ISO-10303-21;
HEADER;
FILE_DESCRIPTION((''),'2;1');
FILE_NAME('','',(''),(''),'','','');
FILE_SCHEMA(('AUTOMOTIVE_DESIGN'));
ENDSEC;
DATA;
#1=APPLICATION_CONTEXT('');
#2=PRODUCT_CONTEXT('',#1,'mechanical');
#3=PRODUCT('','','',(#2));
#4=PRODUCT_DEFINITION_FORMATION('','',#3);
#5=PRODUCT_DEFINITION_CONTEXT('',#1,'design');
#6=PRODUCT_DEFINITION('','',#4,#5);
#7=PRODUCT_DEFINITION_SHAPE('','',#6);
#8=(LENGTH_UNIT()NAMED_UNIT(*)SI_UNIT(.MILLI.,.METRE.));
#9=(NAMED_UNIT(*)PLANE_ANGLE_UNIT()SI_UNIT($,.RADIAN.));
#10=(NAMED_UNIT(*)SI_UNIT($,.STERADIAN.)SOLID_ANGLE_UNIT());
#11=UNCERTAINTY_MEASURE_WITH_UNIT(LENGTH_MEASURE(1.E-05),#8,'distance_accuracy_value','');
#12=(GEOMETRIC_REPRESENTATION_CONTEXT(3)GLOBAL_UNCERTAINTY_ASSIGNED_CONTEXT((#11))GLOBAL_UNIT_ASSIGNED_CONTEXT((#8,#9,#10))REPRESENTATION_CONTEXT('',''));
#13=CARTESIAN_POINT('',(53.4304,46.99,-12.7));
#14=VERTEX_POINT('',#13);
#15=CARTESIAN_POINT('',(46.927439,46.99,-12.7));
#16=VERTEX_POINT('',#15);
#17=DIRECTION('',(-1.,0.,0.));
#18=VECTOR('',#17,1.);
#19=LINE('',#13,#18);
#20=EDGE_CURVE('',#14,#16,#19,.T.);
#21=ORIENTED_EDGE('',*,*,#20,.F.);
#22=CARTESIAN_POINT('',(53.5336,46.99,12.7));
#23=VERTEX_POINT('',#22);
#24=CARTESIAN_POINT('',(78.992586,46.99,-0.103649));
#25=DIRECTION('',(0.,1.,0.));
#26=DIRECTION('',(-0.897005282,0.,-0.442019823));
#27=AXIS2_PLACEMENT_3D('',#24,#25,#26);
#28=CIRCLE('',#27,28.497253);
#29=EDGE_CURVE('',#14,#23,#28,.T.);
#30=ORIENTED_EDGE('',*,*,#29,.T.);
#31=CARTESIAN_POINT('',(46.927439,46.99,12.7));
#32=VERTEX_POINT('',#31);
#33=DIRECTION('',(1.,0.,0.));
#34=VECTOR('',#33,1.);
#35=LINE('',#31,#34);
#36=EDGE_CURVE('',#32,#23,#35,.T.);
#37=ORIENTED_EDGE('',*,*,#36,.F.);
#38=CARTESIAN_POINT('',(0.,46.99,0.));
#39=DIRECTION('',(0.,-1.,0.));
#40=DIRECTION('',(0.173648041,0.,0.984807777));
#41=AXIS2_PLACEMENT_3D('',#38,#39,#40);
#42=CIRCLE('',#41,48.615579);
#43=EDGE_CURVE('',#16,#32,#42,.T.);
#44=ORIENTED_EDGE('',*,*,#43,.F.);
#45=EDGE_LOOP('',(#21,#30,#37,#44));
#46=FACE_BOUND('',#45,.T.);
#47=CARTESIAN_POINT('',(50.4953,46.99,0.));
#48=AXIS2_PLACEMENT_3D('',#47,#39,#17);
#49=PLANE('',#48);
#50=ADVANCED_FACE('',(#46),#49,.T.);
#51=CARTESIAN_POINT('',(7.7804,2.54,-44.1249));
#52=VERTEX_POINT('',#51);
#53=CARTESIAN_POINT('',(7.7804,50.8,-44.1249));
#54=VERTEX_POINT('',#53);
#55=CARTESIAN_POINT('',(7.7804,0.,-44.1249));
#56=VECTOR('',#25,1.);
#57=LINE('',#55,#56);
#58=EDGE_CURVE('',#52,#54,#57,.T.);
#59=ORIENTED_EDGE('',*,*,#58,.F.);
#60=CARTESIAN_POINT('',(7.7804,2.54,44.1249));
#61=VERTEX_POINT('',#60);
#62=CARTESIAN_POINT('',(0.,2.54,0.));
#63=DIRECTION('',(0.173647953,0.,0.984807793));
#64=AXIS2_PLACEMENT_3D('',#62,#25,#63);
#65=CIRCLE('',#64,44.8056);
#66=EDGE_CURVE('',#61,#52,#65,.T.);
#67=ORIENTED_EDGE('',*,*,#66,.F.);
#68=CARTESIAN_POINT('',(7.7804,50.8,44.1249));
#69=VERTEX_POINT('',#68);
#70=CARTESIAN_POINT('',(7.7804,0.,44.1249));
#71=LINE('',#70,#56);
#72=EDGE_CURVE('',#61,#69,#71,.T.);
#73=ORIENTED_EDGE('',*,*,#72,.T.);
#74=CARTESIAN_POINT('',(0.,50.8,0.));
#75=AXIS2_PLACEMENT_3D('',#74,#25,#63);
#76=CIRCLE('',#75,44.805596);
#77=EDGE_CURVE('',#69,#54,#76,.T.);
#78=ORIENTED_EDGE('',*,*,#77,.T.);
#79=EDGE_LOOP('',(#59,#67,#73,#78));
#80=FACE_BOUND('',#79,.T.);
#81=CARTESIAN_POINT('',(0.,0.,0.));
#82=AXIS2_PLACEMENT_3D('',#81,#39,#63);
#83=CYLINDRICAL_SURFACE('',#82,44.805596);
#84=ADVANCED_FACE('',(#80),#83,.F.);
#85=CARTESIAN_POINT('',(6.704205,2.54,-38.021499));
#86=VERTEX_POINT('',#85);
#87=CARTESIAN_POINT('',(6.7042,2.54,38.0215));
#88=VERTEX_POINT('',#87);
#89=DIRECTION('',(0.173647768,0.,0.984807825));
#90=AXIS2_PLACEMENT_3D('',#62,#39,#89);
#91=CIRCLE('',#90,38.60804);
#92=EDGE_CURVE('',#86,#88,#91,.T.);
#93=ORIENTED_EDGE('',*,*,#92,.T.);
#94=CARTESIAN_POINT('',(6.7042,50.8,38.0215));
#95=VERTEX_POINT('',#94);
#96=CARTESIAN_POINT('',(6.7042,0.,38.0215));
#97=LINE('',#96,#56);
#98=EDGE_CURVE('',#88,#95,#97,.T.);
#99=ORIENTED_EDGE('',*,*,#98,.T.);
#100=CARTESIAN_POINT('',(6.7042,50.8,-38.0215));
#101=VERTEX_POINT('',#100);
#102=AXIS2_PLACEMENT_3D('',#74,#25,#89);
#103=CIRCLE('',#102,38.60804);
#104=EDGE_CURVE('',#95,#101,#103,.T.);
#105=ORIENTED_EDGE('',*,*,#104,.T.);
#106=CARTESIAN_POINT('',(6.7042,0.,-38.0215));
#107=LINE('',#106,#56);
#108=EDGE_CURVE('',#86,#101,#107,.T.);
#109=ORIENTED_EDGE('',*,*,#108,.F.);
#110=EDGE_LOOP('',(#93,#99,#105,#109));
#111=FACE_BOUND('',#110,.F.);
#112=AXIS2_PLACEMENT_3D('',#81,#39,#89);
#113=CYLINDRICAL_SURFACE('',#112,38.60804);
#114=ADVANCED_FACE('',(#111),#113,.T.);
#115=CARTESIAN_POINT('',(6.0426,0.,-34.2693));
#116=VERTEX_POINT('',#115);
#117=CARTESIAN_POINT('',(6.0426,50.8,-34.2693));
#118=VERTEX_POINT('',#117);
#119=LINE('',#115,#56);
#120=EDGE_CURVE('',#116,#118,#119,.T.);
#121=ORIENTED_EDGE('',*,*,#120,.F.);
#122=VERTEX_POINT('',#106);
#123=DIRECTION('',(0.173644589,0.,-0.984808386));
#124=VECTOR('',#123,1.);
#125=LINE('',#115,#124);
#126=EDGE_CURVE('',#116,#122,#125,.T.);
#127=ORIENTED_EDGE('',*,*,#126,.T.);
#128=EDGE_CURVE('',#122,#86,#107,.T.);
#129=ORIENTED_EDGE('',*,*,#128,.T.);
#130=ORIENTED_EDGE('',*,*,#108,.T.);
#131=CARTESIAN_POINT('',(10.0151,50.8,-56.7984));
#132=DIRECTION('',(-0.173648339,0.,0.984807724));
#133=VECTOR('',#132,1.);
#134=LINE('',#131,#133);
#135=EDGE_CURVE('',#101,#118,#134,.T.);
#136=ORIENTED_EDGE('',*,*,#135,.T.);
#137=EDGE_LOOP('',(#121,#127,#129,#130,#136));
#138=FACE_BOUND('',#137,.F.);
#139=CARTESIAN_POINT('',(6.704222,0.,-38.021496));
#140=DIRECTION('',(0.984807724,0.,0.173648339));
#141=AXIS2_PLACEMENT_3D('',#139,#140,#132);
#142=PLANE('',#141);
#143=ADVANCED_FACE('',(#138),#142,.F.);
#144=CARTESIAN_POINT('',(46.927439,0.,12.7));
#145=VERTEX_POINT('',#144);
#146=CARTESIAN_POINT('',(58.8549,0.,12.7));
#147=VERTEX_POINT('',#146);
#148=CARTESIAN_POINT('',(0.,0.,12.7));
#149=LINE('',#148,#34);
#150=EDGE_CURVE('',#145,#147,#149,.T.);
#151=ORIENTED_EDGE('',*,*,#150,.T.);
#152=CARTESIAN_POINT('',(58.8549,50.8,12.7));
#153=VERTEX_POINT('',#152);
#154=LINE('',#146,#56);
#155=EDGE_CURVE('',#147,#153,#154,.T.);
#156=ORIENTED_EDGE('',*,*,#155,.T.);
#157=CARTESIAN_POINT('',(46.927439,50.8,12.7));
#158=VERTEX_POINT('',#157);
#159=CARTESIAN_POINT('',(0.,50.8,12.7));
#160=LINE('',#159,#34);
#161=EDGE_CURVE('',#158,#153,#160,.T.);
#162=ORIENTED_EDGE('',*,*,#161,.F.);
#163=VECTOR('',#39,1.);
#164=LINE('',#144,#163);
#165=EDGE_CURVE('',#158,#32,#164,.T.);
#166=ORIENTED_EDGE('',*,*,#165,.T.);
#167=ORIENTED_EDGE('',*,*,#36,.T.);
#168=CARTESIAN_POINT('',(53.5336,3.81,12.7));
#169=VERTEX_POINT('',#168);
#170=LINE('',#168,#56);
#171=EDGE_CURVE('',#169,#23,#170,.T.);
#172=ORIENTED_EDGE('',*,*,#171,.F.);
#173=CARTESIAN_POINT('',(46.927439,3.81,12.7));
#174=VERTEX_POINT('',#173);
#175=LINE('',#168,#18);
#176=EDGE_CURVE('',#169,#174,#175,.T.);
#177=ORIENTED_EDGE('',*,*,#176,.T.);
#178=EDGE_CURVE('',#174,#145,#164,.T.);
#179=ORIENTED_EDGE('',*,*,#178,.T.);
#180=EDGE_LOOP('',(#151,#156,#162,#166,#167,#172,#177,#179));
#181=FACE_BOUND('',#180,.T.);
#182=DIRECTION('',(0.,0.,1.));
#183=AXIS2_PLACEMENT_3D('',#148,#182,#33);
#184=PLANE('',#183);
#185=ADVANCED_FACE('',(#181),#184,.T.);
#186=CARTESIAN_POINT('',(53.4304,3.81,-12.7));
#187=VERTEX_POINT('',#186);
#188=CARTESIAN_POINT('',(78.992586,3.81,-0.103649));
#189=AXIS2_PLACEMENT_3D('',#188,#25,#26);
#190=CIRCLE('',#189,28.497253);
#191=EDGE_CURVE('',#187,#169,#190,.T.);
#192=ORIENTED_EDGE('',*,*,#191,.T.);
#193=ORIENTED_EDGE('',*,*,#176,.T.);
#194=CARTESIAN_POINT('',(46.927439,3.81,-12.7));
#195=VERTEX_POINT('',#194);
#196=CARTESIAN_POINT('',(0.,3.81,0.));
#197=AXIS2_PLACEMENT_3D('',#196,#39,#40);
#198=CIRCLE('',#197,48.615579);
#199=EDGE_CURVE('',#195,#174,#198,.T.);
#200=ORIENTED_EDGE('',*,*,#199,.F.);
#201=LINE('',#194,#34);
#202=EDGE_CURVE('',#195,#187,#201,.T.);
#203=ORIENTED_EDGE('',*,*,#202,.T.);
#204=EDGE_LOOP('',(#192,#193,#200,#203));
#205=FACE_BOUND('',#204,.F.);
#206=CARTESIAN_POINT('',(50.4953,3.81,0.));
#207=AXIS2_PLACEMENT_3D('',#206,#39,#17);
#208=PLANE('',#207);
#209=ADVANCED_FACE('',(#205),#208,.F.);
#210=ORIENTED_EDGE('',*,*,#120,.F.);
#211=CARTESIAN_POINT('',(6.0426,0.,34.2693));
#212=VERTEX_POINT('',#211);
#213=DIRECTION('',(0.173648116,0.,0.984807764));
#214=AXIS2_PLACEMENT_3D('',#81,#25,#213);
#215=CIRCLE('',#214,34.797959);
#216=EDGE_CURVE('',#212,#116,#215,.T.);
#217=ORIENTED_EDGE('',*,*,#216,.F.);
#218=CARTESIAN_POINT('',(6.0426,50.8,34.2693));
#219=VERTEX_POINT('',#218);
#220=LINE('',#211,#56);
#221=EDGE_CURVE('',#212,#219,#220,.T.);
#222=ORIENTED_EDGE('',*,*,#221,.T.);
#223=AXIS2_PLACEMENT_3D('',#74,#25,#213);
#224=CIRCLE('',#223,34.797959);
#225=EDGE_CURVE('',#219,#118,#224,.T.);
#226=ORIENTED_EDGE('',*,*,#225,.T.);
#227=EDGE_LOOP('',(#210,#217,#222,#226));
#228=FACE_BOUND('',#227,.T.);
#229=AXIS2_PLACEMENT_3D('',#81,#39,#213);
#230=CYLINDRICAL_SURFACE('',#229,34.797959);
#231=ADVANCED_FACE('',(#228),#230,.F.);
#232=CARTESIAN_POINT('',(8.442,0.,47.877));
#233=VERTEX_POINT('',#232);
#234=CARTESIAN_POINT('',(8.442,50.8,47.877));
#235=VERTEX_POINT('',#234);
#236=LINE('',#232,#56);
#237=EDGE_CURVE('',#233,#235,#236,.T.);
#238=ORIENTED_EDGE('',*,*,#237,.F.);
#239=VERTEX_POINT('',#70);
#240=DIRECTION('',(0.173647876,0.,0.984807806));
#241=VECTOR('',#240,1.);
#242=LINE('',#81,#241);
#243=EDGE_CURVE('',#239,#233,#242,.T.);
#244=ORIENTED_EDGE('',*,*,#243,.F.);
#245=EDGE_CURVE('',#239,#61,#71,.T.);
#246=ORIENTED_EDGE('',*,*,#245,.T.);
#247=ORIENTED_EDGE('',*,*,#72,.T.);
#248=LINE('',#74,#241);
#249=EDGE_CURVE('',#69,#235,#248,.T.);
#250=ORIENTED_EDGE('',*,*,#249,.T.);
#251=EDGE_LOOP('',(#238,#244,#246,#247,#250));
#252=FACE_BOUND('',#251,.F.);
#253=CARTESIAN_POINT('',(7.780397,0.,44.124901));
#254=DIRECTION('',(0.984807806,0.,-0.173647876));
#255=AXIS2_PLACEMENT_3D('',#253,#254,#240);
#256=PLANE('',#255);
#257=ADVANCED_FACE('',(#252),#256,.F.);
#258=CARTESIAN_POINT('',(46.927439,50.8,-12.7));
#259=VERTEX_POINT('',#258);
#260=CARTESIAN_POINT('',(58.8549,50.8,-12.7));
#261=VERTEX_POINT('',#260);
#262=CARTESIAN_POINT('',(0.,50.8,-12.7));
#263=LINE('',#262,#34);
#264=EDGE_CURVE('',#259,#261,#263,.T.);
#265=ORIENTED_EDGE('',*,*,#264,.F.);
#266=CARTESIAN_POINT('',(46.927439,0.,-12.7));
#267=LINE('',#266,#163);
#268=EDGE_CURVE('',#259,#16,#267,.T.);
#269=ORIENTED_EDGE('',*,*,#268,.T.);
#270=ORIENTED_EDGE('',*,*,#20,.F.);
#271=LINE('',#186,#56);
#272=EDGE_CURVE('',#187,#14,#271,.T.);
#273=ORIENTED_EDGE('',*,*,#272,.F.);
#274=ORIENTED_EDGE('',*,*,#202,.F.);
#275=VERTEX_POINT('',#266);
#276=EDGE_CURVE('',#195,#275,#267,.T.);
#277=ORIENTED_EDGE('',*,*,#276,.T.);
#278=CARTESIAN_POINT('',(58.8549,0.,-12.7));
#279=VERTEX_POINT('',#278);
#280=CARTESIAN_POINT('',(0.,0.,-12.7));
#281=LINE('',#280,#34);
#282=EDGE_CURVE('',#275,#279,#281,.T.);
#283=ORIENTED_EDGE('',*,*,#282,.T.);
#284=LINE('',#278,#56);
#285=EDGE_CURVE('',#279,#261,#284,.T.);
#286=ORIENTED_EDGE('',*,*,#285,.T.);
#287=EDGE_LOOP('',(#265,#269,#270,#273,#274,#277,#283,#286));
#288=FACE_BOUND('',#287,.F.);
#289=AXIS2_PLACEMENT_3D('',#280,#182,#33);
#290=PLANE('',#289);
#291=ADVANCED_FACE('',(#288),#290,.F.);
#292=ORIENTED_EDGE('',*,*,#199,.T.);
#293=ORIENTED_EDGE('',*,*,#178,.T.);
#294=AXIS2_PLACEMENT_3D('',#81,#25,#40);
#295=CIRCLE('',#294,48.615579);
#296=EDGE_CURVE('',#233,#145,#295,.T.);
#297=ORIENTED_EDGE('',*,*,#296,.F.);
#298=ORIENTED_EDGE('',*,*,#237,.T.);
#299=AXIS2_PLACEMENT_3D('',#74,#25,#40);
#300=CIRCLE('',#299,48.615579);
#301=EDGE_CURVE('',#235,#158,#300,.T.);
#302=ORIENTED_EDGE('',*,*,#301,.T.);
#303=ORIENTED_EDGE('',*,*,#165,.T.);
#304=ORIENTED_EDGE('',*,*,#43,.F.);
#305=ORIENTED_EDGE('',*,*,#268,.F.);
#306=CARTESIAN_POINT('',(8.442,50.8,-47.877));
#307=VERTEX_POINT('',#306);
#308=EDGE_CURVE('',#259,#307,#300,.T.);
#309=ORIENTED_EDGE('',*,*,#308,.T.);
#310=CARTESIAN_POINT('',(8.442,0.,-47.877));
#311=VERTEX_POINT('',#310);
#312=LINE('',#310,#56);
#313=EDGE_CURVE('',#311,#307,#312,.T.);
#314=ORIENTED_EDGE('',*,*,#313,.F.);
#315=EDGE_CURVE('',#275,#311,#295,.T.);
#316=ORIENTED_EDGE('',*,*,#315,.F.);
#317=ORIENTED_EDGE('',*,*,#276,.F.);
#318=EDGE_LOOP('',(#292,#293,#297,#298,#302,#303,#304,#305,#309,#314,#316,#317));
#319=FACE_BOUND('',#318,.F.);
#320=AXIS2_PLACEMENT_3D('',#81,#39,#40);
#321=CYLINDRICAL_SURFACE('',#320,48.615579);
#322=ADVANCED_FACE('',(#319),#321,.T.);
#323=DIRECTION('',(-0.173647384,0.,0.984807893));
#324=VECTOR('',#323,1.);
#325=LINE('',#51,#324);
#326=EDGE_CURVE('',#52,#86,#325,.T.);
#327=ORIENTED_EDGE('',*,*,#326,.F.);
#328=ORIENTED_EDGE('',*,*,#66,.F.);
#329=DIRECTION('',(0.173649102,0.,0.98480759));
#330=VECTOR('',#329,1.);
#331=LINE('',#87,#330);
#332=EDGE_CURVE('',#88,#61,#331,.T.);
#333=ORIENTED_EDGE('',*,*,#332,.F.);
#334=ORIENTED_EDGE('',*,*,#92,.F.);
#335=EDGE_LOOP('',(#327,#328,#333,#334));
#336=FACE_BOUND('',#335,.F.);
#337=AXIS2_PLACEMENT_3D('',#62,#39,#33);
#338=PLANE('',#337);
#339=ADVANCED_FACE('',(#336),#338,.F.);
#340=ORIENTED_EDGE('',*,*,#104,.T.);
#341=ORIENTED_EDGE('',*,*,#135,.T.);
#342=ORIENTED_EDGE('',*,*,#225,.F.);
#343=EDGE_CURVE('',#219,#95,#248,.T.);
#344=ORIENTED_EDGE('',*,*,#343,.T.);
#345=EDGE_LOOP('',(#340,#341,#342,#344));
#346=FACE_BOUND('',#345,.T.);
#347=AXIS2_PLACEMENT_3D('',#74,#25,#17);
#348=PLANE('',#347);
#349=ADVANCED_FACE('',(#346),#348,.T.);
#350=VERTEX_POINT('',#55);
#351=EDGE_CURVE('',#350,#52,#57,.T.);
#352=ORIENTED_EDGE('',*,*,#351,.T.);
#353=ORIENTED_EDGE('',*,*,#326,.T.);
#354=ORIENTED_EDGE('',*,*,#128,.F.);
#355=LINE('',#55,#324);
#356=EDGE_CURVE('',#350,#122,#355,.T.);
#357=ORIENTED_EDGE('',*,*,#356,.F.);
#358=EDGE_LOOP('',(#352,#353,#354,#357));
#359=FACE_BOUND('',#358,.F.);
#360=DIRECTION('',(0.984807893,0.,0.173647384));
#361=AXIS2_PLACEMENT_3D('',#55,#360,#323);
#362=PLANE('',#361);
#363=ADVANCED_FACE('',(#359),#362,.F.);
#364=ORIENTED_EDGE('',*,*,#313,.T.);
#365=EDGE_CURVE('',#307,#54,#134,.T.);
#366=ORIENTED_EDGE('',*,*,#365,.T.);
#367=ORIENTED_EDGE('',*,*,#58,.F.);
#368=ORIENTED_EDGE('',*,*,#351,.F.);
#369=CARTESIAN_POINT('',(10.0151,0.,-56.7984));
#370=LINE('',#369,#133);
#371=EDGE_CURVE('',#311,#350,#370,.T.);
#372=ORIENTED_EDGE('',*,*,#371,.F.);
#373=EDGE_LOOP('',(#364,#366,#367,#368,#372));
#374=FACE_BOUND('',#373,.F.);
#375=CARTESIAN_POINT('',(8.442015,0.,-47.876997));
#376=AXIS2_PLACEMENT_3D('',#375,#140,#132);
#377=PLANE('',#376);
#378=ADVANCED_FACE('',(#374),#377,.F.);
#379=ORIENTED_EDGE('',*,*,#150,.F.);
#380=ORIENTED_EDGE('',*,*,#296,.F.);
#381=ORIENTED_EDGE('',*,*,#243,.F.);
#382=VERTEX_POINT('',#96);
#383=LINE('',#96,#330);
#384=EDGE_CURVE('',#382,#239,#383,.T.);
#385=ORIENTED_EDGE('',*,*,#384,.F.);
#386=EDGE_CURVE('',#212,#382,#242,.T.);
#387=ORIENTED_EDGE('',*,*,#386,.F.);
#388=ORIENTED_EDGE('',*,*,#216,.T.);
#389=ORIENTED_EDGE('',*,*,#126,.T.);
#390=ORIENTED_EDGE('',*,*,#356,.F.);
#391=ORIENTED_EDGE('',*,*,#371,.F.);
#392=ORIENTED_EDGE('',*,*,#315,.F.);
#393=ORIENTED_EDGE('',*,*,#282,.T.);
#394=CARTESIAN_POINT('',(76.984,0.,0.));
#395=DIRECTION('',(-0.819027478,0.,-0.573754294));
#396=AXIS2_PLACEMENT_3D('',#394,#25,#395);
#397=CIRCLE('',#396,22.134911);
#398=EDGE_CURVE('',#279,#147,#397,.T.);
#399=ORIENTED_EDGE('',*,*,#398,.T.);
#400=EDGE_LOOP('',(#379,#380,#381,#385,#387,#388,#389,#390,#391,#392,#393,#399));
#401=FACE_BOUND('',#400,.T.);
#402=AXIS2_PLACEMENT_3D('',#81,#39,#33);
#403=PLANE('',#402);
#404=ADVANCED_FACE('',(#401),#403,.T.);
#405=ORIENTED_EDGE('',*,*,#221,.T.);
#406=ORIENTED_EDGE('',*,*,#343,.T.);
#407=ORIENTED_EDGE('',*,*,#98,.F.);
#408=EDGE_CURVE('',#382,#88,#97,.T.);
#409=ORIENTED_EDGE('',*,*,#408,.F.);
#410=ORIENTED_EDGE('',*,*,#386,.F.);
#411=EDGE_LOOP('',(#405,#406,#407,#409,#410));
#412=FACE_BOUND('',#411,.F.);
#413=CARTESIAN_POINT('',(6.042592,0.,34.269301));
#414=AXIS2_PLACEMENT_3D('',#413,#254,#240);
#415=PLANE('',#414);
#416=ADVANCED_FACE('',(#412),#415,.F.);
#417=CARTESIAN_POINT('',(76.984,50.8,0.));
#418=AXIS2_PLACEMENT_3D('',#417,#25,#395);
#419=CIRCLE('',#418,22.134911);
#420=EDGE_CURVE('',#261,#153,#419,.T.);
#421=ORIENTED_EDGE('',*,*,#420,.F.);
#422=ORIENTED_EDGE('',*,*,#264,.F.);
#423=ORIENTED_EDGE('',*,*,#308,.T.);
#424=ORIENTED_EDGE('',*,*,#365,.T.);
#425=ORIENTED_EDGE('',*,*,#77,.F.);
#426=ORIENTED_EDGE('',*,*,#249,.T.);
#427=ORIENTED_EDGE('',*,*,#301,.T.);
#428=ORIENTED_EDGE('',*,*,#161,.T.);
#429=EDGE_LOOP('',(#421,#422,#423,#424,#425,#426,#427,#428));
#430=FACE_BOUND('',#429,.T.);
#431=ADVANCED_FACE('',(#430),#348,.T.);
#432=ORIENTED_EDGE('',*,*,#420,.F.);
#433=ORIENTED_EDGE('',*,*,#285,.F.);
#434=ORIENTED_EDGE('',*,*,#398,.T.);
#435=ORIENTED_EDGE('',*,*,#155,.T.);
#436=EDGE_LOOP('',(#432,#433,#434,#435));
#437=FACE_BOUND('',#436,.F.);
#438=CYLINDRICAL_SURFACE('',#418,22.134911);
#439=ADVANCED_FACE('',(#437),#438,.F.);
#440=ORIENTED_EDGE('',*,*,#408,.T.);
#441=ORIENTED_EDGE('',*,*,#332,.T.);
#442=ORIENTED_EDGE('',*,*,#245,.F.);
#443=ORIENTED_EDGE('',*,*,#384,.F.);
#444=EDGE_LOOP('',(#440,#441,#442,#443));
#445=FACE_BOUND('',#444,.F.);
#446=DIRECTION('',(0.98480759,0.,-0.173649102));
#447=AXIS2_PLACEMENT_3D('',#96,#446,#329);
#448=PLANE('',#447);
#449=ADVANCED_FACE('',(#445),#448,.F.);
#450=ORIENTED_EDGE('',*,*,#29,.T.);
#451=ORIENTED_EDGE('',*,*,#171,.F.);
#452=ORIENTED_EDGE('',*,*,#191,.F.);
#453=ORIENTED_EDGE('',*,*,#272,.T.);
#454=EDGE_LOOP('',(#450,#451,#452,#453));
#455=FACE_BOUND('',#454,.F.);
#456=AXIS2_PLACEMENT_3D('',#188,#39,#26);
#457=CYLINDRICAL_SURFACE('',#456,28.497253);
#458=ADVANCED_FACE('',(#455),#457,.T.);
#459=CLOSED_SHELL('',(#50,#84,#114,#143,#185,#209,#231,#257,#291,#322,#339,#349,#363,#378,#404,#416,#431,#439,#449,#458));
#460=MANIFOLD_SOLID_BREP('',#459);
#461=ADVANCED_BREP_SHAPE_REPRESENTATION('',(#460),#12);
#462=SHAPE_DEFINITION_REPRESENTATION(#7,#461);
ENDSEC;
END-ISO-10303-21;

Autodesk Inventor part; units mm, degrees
ref_plane "YZ Plane" through (0, 0, 0) normal (1, 0, 0) x (0, 1, 0)
ref_plane "XZ Plane" through (0, 0, 0) normal (0, 1, 0) x (-1, 0, 0)
ref_plane "XY Plane" through (0, 0, 0) normal (0, 0, 1) x (1, 0, 0)
sketch "Sketch1" plane through (0, 0, 0) normal (0, 1, 0) x (-1, 0, 0)
  arc A0 (-8.442, 47.877) -> (-8.442, -47.877) centre (0, 0) ccw
  arc A1 (-7.7804, 44.1249) -> (-7.7804, -44.1249) centre (0, 0) ccw
  arc A2 (-6.7042, 38.0215) -> (-6.7042, -38.0215) centre (0, 0) ccw
  arc A3 (-6.0426, 34.2693) -> (-6.0426, -34.2693) centre (0, 0) ccw
  line L0 (0, 0) -> (57.6746, 0) construction
  line L1 (-10.0151, -56.7984) -> (0, 0)
  line L2 (0, 0) -> (-10.8029, 61.2664)
  line L3 (0, 0) -> (62.2115, 0) construction
  dimension "d0" = 97.2312
  dimension "d1" = 89.6112
  dimension "d14" = 77.216
  dimension "d15" = 69.596
  dimension "d17" = 100
  dimension "d18" = 100
extrude "Extrusion1" add sketch "Sketch1" along normal blind 50.8 contours L2 A1 L1 A0 | L2 A3 L1 A2
sketch "Sketch2" plane through (0, 0, 0) normal (0, 0, 1) x (1, 0, 0)
  line L0 (0, 0) -> (58.8549, 0)
  line L1 (58.8549, 0) -> (58.8549, 25.4)
  line L2 (0, 25.4) -> (0, 0)
  line L3 (50.4953, 3.81) -> (3.81, 3.81)
  line L4 (3.81, 3.81) -> (3.81, 21.59)
  line L5 (3.81, 21.59) -> (45.975, 21.59)
  line L6 (45.975, 21.59) -> (45.975, 3.81)
  line L7 (45.975, 21.59) -> (45.975, 25.4)
  line L8 (45.975, 3.81) -> (45.975, 0)
  line L9 (50.4953, 21.59) -> (50.4953, 3.81)
  line L10 (0, 50.8) -> (58.8549, 50.8)
  line L11 (58.8549, 50.8) -> (58.8549, 25.4)
  line L12 (50.4953, 46.99) -> (3.81, 46.99)
  line L13 (3.81, 29.21) -> (45.975, 29.21)
  line L14 (45.975, 29.21) -> (45.975, 46.99)
  line L15 (45.975, 29.21) -> (45.975, 25.4)
  line L16 (45.975, 46.99) -> (45.975, 50.8)
  line L17 (50.4953, 29.21) -> (50.4953, 46.99)
  line L18 (50.4953, 29.21) -> (50.4953, 21.59)
  line L19 (45.975, 25.4) -> (0, 25.4)
extrude "Extrusion2" add sketch "Sketch2" along normal mid plane 25.4 contours L8 L3 L9 L18 L17 L12 L16 L10 L11 L1 L0
sketch "Sketch3" plane through (0, 0, 0) normal (0, -1, 0) x (1, 0, 0)
  circle A0 centre (0, 0) radius 44.8056
  circle A1 centre (0, 0) radius 38.608
  line L0 (7.7804, -44.1249) -> (6.0426, -34.2693)
  line L1 (6.0426, 34.2693) -> (6.7042, 38.0215) projected
  line L2 (6.7042, 38.0215) -> (7.7804, 44.1249)
  point P0 (6.7042, -38.0215)
  dimension "d7" = 77.216
extrude "Extrusion3" add sketch "Sketch3" against normal blind 2.54 contours A0 L0 A1 L2 picked at (42.4436, 2.9594)
sketch "Sketch4" plane through (0, 50.8, 0) normal (0, 1, 0) x (1, 0, 0)
  line L0 (58.8549, -12.7) -> (58.8549, 12.7)
  arc A0 (58.8549, 12.7) -> (58.8549, -12.7) centre (76.984, 0) ccw
  point P0 (0, 0)
sketch "Sketch5" plane through (46.9275, 3.81, 12.7) normal (0, 1, 0) x (1, 0, 0)
  arc A0 (6.5029, 25.4) -> (6.6061, 0) centre (32.0653, 12.8036) ccw
  line L0 (6.5029, 25.4) -> (1.7839, 25.4)
  line L1 (0, 25.4) -> (3.5678, 25.4) projected
  line L2 (1.7839, 25.4) -> (2.3688, 0)
  line L3 (3.5678, 0) -> (0, 0) projected
  line L4 (6.6061, 0) -> (2.3688, 0)
  point P0 (-46.9275, 12.7)
  point P1 (6.5578, 0.0965)
extrude "Extrusion4" cut sketch "Sketch5" along normal up to surface (43.18 mm away)
extrude "Extrusion5" cut sketch "Sketch4" against normal up to surface (50.8 mm away)
properties part number "Mount"
